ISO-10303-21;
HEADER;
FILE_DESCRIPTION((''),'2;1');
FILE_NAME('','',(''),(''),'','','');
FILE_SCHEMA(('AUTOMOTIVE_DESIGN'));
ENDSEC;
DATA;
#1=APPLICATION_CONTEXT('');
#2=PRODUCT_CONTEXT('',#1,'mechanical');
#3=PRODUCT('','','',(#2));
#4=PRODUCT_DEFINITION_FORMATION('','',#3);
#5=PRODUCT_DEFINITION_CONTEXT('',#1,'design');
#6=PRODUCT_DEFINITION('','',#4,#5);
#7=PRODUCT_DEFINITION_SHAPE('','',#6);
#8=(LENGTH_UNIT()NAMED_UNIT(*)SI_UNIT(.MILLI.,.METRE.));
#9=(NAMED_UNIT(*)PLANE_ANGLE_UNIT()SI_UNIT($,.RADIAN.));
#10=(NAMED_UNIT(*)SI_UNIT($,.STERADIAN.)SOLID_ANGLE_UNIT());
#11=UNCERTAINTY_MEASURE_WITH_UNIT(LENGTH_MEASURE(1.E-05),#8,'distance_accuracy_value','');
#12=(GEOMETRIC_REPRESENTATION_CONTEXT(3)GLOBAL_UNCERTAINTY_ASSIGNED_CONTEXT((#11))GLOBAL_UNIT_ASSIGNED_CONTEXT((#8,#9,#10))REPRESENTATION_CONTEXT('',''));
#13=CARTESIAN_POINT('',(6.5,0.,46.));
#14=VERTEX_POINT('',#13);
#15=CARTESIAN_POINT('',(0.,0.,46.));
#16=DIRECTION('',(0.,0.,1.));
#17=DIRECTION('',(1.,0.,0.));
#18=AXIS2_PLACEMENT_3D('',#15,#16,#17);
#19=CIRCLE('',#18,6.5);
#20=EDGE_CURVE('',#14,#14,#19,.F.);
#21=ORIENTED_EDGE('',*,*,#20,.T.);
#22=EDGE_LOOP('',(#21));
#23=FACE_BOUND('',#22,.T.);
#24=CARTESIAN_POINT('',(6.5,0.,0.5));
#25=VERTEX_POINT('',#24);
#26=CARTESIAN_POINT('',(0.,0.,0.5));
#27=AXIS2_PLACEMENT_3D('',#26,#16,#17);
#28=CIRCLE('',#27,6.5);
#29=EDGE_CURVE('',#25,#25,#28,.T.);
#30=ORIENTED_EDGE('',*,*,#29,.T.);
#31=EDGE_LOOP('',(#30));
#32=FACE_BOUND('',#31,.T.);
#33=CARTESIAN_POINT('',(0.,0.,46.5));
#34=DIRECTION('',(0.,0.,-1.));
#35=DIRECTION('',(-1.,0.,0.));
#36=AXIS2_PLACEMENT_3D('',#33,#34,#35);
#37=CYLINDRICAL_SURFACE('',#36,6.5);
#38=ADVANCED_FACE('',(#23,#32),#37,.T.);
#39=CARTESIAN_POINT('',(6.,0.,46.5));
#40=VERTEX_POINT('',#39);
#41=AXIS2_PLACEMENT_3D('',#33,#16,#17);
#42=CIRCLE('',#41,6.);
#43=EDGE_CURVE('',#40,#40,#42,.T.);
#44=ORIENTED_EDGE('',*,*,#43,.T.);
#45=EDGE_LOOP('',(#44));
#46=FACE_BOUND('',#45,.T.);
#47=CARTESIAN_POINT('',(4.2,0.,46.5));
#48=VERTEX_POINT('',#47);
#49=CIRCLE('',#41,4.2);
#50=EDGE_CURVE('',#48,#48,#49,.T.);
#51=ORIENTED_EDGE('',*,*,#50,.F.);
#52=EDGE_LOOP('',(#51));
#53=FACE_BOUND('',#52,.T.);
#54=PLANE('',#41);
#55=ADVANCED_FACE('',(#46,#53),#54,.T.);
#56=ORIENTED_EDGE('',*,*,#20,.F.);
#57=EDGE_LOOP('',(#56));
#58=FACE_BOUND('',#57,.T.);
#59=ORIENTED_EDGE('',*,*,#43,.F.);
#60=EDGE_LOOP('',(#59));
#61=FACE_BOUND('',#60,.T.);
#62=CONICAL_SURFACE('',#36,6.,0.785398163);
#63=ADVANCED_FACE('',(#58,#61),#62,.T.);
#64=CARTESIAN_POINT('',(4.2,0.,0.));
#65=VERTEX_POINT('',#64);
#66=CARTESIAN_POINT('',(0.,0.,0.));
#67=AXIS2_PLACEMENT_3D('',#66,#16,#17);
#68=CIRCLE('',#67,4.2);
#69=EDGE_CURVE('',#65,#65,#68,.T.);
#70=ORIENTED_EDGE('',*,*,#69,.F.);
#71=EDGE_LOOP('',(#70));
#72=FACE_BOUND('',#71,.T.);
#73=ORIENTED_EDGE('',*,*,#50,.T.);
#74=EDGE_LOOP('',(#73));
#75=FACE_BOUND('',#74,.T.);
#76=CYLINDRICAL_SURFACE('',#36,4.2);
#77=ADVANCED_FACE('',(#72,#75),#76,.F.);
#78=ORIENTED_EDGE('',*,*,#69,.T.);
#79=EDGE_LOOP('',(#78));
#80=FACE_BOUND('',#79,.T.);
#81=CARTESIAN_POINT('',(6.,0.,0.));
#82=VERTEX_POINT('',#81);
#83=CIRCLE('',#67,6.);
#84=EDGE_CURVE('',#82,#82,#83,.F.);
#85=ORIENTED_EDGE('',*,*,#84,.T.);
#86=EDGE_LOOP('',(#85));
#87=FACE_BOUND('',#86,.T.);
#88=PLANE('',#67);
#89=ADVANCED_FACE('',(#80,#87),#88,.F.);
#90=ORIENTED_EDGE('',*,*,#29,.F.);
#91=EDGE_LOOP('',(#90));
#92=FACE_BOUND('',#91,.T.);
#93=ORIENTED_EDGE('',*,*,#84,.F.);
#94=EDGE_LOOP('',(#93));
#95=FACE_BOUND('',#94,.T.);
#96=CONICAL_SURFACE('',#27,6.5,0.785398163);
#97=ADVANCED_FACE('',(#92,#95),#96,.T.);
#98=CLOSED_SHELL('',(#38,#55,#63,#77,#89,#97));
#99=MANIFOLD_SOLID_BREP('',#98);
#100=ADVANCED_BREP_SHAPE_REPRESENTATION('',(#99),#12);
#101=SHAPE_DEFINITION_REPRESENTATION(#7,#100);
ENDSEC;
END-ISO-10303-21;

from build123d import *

# Parameters (mm, degrees)
SCHIZZO2_R                   = 6.5
SCHIZZO2_R_2                 = 4.2
ESTRUSIONE_ESTRUSIONE1_DEPTH = 46.5
SMUSSO1_SIZE                 = 0.5


with BuildPart() as part:
    # Schizzo2 → Estrusione-Estrusione1 (new body)
    with BuildSketch(Plane.XY):
        Circle(SCHIZZO2_R)
        Circle(SCHIZZO2_R_2, mode=Mode.SUBTRACT)
    extrude(amount=ESTRUSIONE_ESTRUSIONE1_DEPTH)

    # Smusso1
    smusso1_edges = [part.edges().sort_by_distance(p)[0] for p in [
        (-6.5, 0, 0),
        (-6.5, 0, 46.5),
    ]]
    chamfer(smusso1_edges, length=SMUSSO1_SIZE)


solid = part.part
